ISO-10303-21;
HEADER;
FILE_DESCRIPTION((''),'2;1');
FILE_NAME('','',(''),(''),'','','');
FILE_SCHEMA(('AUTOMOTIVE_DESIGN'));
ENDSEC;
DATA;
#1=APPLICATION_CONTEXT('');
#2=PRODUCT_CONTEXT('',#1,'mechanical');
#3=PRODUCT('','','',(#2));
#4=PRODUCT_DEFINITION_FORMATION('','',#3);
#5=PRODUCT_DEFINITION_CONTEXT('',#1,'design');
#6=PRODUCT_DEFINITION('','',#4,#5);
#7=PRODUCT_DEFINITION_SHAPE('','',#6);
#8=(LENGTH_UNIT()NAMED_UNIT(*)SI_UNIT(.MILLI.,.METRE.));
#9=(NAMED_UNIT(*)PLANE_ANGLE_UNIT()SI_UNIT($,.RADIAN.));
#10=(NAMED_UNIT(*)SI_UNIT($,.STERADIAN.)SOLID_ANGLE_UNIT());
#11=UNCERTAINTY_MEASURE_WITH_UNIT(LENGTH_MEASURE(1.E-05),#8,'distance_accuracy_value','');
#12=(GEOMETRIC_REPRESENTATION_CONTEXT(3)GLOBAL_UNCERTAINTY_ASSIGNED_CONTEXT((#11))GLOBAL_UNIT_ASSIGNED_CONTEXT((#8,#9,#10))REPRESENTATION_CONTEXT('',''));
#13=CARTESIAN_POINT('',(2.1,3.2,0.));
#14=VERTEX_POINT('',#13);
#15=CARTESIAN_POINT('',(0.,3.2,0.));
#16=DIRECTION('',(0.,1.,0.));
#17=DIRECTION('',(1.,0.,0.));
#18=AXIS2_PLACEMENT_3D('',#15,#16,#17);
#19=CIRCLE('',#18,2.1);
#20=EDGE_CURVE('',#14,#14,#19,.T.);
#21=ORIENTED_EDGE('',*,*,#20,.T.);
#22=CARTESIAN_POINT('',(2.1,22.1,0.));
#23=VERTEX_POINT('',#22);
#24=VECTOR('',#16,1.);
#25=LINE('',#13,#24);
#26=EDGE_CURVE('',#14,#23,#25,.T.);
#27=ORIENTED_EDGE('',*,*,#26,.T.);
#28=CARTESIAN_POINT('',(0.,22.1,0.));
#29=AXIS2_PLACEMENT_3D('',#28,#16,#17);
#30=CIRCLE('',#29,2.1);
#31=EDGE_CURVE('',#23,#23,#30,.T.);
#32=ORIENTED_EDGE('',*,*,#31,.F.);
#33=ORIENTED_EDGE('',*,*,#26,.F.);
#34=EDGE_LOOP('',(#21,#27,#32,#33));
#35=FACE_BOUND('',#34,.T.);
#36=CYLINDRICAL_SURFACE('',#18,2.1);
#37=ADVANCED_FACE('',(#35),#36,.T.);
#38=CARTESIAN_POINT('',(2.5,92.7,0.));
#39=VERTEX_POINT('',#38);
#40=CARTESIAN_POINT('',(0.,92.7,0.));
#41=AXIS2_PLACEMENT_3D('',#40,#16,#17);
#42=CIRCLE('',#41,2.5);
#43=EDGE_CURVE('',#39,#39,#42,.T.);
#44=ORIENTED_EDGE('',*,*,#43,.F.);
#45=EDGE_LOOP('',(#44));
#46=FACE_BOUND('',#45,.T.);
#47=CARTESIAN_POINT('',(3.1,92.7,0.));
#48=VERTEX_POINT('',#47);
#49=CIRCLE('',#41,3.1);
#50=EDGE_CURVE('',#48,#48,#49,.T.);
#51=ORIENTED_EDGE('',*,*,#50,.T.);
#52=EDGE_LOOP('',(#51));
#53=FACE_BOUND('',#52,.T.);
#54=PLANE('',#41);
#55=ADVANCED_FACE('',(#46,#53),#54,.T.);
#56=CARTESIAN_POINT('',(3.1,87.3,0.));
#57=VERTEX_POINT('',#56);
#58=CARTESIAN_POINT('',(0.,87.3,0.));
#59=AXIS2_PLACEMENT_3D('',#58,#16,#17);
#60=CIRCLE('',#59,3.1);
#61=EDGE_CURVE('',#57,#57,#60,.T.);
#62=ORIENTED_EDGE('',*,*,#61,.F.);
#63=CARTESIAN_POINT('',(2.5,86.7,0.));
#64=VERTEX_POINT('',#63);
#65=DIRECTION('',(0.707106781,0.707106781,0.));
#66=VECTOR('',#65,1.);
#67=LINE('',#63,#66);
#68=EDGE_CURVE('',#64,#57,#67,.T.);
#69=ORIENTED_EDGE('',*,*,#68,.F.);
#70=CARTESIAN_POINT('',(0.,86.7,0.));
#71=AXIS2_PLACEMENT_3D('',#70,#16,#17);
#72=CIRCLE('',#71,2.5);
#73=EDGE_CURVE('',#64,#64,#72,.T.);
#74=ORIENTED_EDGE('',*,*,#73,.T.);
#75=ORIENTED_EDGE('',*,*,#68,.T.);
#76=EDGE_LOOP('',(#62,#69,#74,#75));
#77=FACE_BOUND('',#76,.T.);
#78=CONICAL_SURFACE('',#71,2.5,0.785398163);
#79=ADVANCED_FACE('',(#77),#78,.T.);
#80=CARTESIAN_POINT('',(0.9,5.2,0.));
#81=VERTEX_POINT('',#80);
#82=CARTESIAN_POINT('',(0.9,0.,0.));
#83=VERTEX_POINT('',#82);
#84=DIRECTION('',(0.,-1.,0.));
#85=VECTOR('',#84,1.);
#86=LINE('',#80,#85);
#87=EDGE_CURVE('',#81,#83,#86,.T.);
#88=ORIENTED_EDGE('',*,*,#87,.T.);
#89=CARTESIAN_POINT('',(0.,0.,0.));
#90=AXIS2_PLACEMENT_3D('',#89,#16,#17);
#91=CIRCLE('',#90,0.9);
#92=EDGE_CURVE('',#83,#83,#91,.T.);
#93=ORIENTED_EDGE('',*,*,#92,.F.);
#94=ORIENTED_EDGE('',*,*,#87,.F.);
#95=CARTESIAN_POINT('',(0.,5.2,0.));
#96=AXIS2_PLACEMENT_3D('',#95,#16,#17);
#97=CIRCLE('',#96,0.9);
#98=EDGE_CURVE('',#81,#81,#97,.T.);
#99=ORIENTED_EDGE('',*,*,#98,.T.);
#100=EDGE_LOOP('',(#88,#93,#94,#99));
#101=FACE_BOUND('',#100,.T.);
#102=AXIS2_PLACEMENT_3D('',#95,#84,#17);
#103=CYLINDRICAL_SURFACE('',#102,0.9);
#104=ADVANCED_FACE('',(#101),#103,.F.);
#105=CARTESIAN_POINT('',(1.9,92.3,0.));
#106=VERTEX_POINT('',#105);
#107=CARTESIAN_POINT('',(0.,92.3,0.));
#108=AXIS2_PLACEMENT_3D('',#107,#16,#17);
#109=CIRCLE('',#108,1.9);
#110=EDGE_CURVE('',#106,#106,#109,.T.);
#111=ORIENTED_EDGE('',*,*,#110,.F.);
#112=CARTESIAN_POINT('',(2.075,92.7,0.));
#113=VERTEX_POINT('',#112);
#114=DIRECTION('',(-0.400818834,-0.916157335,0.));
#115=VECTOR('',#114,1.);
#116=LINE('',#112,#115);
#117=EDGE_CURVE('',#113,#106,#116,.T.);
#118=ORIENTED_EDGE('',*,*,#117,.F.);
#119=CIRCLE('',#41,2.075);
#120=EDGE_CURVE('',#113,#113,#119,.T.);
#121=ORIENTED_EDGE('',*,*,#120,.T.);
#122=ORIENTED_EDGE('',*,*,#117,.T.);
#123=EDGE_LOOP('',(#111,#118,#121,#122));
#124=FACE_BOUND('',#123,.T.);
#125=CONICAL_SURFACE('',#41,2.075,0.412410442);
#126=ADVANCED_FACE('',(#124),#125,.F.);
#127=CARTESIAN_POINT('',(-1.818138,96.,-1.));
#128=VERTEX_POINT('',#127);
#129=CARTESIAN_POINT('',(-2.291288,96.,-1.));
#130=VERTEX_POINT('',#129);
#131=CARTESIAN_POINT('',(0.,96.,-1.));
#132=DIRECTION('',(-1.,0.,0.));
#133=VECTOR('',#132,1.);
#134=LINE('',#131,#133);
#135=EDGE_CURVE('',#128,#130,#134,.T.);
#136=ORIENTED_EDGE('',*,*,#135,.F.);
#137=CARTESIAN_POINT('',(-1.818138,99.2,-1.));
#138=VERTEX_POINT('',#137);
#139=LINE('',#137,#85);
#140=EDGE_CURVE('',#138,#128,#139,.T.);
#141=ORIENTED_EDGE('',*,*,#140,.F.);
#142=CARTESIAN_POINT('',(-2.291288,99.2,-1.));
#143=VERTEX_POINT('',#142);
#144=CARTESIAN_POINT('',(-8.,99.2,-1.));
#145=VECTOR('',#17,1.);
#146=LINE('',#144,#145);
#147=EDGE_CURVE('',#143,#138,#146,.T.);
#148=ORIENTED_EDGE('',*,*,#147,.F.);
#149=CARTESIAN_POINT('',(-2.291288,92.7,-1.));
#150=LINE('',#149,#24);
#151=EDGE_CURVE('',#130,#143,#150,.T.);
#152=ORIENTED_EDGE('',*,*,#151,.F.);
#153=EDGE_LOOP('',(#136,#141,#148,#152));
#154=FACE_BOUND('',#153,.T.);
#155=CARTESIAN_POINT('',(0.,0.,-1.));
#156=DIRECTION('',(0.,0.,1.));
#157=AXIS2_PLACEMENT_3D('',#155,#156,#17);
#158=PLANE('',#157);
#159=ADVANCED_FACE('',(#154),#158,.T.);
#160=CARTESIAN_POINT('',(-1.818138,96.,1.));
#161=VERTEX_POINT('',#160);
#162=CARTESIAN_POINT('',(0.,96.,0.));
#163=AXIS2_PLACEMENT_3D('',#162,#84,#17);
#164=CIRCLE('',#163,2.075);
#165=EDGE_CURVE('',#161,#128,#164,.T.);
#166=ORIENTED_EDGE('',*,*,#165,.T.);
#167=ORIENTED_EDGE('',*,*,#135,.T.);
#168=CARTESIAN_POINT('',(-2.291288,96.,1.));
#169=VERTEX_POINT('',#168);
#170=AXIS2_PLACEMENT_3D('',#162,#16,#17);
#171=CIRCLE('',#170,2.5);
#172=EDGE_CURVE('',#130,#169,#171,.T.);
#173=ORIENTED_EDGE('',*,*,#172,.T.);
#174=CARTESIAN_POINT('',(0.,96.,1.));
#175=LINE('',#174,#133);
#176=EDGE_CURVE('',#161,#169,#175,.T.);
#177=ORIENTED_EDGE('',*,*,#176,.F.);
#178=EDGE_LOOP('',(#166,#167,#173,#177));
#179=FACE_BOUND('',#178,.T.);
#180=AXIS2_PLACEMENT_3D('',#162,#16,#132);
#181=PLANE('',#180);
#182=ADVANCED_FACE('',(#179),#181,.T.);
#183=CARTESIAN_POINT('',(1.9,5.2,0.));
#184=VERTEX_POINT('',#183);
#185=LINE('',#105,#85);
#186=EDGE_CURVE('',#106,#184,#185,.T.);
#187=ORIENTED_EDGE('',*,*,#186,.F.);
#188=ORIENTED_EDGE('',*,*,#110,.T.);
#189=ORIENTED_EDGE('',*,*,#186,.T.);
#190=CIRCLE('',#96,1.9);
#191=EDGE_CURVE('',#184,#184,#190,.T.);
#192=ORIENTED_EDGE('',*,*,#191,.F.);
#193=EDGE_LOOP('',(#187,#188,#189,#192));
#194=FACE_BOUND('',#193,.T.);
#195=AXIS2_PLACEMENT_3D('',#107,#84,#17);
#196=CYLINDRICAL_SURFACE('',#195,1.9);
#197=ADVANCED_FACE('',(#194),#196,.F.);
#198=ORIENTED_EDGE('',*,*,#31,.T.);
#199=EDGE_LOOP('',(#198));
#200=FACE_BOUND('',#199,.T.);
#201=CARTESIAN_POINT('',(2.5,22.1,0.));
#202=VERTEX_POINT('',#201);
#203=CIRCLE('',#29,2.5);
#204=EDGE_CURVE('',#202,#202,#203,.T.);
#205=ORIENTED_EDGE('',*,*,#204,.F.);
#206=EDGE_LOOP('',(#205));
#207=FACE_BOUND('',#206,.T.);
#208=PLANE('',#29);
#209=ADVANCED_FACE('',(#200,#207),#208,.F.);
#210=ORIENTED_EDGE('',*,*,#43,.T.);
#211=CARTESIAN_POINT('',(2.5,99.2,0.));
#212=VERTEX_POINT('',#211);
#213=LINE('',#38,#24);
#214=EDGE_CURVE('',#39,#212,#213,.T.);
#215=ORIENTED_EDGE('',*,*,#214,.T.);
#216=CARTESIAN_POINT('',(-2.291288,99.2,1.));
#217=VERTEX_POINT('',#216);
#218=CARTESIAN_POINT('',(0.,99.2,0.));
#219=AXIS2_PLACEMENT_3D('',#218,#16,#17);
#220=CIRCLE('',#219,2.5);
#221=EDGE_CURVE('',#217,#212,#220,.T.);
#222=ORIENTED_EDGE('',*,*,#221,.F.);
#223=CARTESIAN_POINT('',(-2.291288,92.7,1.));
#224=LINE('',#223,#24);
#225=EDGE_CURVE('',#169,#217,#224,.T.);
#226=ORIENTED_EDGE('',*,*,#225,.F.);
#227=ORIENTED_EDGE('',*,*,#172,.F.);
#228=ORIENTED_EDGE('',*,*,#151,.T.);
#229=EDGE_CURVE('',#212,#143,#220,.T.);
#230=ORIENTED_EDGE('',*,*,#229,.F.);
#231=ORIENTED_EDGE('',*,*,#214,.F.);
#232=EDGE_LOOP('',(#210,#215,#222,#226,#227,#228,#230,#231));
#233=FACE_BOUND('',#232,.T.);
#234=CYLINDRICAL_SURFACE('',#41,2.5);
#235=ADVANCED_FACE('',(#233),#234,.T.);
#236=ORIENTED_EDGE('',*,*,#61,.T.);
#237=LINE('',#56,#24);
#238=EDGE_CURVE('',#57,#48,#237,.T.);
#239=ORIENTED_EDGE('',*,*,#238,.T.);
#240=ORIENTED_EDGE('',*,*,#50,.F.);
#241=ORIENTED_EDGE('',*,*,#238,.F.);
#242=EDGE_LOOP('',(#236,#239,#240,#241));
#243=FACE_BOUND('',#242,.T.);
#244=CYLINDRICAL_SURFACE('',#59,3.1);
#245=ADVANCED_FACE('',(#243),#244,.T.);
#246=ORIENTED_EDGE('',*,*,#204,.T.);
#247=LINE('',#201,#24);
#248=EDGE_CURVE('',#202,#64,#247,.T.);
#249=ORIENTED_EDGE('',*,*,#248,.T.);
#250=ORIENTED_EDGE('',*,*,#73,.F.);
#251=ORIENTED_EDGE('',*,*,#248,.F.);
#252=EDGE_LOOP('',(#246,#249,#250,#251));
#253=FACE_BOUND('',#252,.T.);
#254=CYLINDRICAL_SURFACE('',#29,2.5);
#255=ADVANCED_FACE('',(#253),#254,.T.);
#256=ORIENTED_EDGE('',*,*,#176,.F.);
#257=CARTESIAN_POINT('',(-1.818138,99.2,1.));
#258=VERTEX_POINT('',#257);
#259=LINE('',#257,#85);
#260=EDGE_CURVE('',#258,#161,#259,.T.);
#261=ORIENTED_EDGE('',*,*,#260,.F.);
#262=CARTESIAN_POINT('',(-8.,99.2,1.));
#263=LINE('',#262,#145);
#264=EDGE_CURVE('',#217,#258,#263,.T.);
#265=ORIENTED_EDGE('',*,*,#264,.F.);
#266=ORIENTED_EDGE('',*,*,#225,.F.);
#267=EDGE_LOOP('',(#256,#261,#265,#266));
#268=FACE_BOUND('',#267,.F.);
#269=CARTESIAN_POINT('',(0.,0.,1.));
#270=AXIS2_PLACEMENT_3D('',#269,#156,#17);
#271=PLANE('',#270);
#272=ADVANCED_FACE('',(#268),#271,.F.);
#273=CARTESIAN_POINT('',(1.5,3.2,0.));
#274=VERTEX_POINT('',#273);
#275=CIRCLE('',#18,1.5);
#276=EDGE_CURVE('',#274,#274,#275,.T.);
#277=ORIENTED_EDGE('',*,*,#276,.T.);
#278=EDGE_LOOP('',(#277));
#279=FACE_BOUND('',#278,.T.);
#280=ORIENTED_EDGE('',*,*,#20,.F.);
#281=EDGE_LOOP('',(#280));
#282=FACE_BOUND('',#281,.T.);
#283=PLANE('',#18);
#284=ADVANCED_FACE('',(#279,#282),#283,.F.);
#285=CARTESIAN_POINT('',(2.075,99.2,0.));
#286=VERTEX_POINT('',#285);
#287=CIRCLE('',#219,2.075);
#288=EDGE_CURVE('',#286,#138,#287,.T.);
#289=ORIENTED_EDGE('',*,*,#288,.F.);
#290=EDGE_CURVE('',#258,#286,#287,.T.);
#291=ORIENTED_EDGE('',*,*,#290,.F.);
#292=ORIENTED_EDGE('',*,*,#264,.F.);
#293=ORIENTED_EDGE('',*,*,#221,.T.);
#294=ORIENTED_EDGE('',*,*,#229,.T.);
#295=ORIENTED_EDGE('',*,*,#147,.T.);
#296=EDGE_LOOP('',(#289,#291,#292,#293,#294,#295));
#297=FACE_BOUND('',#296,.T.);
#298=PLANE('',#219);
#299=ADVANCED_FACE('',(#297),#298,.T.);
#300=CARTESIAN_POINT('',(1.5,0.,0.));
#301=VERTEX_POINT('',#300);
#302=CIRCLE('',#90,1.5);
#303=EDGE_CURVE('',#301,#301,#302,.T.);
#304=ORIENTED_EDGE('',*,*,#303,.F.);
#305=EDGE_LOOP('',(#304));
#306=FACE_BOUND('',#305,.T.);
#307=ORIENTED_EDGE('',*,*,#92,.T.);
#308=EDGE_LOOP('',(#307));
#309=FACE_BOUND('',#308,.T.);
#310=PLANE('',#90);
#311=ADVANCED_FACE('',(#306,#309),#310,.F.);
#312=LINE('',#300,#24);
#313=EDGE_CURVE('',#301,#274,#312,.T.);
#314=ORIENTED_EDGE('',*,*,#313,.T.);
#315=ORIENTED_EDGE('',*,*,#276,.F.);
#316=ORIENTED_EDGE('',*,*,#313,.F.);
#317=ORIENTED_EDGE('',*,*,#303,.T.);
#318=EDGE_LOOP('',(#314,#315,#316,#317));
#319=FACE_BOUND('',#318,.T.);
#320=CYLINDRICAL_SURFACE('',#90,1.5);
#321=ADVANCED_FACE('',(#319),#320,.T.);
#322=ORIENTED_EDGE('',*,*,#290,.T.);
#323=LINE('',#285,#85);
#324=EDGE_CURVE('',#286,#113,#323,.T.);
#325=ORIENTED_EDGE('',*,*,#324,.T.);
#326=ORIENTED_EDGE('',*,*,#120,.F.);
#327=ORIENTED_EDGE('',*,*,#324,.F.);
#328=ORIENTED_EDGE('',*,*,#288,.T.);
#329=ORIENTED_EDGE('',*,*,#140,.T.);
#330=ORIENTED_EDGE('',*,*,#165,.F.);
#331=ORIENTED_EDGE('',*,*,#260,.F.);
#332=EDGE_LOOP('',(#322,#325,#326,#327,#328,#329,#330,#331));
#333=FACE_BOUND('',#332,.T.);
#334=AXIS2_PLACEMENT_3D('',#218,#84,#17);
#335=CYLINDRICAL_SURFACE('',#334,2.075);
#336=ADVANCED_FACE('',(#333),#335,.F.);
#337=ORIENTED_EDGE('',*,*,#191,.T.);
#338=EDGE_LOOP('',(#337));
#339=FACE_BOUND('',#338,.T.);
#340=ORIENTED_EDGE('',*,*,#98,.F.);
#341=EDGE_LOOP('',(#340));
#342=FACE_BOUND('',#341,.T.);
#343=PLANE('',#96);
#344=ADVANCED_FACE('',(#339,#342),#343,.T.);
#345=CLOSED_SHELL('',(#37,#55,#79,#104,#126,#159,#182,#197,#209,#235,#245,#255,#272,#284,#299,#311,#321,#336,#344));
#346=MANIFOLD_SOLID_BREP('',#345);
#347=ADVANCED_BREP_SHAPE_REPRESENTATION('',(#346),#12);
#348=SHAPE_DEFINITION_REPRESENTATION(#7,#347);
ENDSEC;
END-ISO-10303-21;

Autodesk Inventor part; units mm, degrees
ref_plane "YZ Plane" through (0, 0, 0) normal (1, 0, 0) x (0, 1, 0)
ref_plane "XZ Plane" through (0, 0, 0) normal (0, 1, 0) x (-1, 0, 0)
ref_plane "XY Plane" through (0, 0, 0) normal (0, 0, 1) x (1, 0, 0)
sketch "Sketch1" plane through (0, 0, 0) normal (0, 0, 1) x (1, 0, 0)
  line L0 (0, 0) -> (0, 99.2)
  line L1 (0.9, 0) -> (1.5, 0)
  line L2 (1.5, 0) -> (1.5, 3.2)
  line L3 (1.5, 3.2) -> (2.1, 3.2)
  line L4 (2.1, 3.2) -> (2.1, 22.1)
  line L5 (2.1, 22.1) -> (2.5, 22.1)
  line L6 (2.5, 22.1) -> (2.5, 86.7)
  line L7 (2.5, 86.7) -> (3.1, 87.3)
  line L8 (3.1, 87.3) -> (3.1, 92.7)
  line L9 (3.1, 92.7) -> (2.5, 92.7)
  line L10 (2.5, 92.7) -> (2.5, 99.2)
  line L11 (2.5, 99.2) -> (2.075, 99.2)
  line L12 (2.075, 99.2) -> (2.075, 92.7)
  line L13 (2.075, 92.7) -> (1.9, 92.3)
  line L14 (1.9, 92.3) -> (1.9, 5.2)
  line L15 (1.9, 5.2) -> (0.9, 5.2)
  line L16 (0.9, 5.2) -> (0.9, 0)
  dimension "d0" = 45
  dimension "d1" = 99.2
  dimension "d2" = 92.7
  dimension "d3" = 86.7
  dimension "d4" = 22.1
  dimension "d5" = 3.2
  dimension "d6" = 1.8
  dimension "d7" = 3
  dimension "d8" = 4.2
  dimension "d9" = 5.2
  dimension "d10" = 3.8
  dimension "d11" = 4.15
  dimension "d12" = 5
  dimension "d13" = 6.2
  dimension "d14" = 92.3
  dimension "d15" = 5
revolve "Revolution1" add sketch "Sketch1" angle 360 about axis through (0, 0, 0) along (0, 1, 0)
sketch "Sketch2" plane through (0, 0, 0) normal (0, 0, 1) x (1, 0, 0)
  line L0 (-0.9, 0) -> (0.9, 0) projected
  line L1 (-4, 96) -> (0, 96) construction
  line L2 (0, -19.84) -> (0, 119.04) projected
  line L3 (0, 96) -> (-8, 96)
  line L4 (-8, 96) -> (-8, 99.2)
  line L5 (-8, 99.2) -> (0, 99.2)
  line L6 (0, 99.2) -> (0, 96)
  line L7 (-2.075, 99.2) -> (2.075, 99.2) projected
  dimension "d17" = 96
  dimension "d18" = 4
  dimension "d19" = 8
extrude "Extrusion1" cut sketch "Sketch2" against normal mid plane 2
properties part number "PP-09" material "ABS Plastic"
